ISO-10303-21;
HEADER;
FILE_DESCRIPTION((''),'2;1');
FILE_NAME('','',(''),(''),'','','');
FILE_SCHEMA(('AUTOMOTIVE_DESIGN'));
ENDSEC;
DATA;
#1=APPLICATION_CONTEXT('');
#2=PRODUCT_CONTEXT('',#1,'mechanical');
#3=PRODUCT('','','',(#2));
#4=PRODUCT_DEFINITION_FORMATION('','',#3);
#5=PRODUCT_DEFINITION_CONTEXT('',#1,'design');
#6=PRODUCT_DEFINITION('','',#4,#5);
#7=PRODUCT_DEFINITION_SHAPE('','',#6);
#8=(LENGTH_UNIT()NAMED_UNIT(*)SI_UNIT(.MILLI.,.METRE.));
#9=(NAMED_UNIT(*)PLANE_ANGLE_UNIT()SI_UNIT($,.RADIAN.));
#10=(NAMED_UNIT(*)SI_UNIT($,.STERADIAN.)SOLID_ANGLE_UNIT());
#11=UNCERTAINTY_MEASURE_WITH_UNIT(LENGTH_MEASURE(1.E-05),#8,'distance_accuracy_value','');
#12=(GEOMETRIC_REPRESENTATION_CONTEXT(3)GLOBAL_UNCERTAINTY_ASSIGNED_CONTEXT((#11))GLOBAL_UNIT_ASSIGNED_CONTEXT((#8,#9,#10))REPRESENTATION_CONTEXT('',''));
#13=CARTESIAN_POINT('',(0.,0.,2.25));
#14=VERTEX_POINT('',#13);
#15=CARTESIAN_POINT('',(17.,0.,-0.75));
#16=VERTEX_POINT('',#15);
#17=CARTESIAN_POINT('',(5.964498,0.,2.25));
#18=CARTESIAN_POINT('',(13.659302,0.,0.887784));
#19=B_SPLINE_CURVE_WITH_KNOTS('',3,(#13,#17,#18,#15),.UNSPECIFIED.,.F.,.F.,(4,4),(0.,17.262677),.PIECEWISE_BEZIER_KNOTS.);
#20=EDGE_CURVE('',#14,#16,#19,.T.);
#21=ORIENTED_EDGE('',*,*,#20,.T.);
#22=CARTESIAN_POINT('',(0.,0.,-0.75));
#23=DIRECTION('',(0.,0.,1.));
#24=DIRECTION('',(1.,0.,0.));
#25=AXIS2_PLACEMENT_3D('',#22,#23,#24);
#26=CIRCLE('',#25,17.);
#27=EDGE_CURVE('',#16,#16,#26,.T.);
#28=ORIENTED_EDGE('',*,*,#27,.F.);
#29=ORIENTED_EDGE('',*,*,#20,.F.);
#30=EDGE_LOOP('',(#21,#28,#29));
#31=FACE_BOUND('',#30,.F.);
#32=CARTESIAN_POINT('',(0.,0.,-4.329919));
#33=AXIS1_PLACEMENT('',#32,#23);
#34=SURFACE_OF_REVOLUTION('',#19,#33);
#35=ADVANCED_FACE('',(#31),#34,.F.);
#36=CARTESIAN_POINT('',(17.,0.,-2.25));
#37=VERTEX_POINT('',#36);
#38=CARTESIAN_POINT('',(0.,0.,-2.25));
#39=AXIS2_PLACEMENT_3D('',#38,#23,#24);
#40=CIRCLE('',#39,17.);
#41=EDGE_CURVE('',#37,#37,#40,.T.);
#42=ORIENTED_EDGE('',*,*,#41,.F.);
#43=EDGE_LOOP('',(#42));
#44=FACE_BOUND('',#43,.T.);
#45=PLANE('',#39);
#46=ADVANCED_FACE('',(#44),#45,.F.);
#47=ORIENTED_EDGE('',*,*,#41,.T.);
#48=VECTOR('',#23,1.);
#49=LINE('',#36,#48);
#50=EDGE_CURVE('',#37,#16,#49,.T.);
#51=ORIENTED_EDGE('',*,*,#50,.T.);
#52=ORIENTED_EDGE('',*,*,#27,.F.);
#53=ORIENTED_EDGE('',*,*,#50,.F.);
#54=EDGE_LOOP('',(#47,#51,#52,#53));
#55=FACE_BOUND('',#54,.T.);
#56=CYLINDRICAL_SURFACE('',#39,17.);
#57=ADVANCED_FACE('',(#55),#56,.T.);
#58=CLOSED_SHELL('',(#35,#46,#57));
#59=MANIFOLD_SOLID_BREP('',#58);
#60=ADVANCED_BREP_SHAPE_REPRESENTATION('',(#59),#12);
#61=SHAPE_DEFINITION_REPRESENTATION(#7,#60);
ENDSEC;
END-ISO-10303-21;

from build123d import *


with BuildPart() as f1:
    # F0 (on Front) → F1 (revolve)
    with BuildSketch(Plane.XZ):
        with BuildLine():
            Line((0, -2.25), (17, -2.25))
            Line((17, -2.25), (17, -0.75))
            add(Edge.make_bspline(
                [(0, 2.25), (5.964498, 2.25), (13.659302, 0.887784), (17, -0.75)],
                knots=[0, 0, 0, 0, 17.262677, 17.262677, 17.262677, 17.262677], degree=3))
            Line((0, 2.25), (0, -2.25))
        make_face()
    revolve(axis=Axis((0, 0, -4.329919), (0, 0, 1)))


solid = f1.part
